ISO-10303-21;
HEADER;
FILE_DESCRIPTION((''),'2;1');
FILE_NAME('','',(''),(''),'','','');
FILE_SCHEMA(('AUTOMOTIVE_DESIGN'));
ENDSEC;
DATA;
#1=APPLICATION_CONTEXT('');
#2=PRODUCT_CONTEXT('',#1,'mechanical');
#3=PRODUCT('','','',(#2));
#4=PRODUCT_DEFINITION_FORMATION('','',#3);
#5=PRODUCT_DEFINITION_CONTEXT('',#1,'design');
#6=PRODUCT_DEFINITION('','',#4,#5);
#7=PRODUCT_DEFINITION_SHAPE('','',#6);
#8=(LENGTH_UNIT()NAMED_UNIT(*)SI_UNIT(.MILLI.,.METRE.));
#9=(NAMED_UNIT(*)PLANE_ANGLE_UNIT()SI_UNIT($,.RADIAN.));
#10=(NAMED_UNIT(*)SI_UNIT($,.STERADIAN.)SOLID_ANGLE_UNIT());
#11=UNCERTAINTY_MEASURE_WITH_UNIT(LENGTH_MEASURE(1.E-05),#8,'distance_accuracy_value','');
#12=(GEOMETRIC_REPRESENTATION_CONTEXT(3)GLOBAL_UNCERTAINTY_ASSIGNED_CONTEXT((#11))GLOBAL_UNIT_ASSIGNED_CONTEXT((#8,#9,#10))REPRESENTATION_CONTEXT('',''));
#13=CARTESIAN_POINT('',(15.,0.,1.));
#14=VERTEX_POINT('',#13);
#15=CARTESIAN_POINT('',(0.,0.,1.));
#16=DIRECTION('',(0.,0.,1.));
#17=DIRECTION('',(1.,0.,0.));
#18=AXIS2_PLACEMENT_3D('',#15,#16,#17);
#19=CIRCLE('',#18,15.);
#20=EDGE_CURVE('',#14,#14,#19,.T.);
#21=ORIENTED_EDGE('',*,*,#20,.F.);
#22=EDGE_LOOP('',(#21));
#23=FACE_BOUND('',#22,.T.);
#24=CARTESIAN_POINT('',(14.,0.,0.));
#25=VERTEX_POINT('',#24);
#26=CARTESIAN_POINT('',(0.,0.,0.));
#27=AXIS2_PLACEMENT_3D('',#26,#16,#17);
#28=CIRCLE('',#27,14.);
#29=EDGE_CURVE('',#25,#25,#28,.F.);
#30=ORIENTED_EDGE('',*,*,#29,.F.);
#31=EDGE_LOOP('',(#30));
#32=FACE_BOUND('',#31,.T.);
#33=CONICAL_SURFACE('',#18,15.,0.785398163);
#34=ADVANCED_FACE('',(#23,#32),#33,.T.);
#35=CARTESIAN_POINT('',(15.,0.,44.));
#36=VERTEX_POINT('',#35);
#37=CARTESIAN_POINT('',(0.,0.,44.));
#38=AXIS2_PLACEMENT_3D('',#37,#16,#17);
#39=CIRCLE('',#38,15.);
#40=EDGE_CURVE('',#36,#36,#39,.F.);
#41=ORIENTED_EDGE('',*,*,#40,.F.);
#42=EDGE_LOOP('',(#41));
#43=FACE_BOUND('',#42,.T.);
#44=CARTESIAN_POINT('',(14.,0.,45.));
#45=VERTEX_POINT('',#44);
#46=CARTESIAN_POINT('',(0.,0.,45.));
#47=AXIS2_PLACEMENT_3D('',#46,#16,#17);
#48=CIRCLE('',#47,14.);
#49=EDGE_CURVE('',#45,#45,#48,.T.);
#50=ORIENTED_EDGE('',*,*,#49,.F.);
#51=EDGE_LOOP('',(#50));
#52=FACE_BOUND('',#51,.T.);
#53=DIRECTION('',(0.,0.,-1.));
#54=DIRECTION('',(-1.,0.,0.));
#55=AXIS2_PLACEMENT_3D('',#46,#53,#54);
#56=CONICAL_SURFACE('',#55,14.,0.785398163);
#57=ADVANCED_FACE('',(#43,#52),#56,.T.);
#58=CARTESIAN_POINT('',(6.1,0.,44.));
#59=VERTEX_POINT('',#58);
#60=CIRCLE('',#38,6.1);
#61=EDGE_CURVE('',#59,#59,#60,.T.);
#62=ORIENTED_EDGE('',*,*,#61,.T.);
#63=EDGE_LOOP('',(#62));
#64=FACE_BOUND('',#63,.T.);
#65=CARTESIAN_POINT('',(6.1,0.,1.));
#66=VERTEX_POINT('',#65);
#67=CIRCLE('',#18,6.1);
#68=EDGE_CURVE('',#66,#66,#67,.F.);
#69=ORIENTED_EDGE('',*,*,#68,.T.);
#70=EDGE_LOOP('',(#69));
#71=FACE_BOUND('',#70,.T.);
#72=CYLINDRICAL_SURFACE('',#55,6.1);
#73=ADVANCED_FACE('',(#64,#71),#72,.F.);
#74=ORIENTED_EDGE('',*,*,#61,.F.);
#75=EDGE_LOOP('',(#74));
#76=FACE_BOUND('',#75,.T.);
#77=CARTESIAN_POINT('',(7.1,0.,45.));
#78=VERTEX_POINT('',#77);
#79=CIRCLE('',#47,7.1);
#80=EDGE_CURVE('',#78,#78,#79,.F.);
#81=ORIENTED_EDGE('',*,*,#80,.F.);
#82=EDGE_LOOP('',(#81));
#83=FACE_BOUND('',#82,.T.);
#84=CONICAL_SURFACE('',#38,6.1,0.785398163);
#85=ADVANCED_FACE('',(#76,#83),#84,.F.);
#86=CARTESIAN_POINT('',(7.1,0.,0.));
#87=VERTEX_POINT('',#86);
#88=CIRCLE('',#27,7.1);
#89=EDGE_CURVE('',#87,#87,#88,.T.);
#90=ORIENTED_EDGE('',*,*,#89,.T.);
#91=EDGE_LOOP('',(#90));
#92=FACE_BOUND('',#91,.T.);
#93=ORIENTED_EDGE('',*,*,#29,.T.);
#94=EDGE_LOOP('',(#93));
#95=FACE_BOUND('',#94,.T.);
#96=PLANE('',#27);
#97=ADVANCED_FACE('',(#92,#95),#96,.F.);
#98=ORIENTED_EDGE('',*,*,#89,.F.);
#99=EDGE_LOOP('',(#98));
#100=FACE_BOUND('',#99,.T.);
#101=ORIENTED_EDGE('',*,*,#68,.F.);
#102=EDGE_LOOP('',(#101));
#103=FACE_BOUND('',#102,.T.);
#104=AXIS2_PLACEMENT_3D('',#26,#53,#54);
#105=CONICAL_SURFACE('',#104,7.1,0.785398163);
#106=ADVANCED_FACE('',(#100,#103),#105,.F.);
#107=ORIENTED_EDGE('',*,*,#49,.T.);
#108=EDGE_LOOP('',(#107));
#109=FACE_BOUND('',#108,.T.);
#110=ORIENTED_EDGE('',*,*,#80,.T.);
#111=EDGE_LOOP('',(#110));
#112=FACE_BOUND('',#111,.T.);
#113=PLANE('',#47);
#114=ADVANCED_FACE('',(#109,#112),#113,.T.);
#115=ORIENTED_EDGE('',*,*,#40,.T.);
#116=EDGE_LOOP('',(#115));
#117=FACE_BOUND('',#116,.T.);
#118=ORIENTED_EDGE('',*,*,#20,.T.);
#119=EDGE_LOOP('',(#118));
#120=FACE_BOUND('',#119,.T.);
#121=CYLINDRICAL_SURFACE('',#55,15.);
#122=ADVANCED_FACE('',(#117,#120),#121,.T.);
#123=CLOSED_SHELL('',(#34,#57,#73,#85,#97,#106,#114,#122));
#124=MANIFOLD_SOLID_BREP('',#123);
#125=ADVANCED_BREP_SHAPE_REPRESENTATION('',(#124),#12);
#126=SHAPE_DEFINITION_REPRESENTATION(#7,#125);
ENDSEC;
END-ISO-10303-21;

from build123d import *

# Parameters (mm, degrees)
SZKIC1_R                    = 15
SZKIC1_R_2                  = 6.1
DODANIE_WYCI_GNI_CIE1_DEPTH = 45
SFAZOWANIE1_SIZE            = 1


with BuildPart() as part:
    # Szkic1 → Dodanie-wyciągnięcie1 (new body)
    with BuildSketch(Plane.XY):
        Circle(SZKIC1_R)
        Circle(SZKIC1_R_2, mode=Mode.SUBTRACT)
    extrude(amount=DODANIE_WYCI_GNI_CIE1_DEPTH)

    # Sfazowanie1
    sfazowanie1_edges = [part.edges().sort_by_distance(p)[0] for p in [
        (-15, 0, 0),
        (-15, 0, 45),
        (-6.1, 0, 0),
        (-6.1, 0, 45),
    ]]
    chamfer(sfazowanie1_edges, length=SFAZOWANIE1_SIZE)


solid = part.part
